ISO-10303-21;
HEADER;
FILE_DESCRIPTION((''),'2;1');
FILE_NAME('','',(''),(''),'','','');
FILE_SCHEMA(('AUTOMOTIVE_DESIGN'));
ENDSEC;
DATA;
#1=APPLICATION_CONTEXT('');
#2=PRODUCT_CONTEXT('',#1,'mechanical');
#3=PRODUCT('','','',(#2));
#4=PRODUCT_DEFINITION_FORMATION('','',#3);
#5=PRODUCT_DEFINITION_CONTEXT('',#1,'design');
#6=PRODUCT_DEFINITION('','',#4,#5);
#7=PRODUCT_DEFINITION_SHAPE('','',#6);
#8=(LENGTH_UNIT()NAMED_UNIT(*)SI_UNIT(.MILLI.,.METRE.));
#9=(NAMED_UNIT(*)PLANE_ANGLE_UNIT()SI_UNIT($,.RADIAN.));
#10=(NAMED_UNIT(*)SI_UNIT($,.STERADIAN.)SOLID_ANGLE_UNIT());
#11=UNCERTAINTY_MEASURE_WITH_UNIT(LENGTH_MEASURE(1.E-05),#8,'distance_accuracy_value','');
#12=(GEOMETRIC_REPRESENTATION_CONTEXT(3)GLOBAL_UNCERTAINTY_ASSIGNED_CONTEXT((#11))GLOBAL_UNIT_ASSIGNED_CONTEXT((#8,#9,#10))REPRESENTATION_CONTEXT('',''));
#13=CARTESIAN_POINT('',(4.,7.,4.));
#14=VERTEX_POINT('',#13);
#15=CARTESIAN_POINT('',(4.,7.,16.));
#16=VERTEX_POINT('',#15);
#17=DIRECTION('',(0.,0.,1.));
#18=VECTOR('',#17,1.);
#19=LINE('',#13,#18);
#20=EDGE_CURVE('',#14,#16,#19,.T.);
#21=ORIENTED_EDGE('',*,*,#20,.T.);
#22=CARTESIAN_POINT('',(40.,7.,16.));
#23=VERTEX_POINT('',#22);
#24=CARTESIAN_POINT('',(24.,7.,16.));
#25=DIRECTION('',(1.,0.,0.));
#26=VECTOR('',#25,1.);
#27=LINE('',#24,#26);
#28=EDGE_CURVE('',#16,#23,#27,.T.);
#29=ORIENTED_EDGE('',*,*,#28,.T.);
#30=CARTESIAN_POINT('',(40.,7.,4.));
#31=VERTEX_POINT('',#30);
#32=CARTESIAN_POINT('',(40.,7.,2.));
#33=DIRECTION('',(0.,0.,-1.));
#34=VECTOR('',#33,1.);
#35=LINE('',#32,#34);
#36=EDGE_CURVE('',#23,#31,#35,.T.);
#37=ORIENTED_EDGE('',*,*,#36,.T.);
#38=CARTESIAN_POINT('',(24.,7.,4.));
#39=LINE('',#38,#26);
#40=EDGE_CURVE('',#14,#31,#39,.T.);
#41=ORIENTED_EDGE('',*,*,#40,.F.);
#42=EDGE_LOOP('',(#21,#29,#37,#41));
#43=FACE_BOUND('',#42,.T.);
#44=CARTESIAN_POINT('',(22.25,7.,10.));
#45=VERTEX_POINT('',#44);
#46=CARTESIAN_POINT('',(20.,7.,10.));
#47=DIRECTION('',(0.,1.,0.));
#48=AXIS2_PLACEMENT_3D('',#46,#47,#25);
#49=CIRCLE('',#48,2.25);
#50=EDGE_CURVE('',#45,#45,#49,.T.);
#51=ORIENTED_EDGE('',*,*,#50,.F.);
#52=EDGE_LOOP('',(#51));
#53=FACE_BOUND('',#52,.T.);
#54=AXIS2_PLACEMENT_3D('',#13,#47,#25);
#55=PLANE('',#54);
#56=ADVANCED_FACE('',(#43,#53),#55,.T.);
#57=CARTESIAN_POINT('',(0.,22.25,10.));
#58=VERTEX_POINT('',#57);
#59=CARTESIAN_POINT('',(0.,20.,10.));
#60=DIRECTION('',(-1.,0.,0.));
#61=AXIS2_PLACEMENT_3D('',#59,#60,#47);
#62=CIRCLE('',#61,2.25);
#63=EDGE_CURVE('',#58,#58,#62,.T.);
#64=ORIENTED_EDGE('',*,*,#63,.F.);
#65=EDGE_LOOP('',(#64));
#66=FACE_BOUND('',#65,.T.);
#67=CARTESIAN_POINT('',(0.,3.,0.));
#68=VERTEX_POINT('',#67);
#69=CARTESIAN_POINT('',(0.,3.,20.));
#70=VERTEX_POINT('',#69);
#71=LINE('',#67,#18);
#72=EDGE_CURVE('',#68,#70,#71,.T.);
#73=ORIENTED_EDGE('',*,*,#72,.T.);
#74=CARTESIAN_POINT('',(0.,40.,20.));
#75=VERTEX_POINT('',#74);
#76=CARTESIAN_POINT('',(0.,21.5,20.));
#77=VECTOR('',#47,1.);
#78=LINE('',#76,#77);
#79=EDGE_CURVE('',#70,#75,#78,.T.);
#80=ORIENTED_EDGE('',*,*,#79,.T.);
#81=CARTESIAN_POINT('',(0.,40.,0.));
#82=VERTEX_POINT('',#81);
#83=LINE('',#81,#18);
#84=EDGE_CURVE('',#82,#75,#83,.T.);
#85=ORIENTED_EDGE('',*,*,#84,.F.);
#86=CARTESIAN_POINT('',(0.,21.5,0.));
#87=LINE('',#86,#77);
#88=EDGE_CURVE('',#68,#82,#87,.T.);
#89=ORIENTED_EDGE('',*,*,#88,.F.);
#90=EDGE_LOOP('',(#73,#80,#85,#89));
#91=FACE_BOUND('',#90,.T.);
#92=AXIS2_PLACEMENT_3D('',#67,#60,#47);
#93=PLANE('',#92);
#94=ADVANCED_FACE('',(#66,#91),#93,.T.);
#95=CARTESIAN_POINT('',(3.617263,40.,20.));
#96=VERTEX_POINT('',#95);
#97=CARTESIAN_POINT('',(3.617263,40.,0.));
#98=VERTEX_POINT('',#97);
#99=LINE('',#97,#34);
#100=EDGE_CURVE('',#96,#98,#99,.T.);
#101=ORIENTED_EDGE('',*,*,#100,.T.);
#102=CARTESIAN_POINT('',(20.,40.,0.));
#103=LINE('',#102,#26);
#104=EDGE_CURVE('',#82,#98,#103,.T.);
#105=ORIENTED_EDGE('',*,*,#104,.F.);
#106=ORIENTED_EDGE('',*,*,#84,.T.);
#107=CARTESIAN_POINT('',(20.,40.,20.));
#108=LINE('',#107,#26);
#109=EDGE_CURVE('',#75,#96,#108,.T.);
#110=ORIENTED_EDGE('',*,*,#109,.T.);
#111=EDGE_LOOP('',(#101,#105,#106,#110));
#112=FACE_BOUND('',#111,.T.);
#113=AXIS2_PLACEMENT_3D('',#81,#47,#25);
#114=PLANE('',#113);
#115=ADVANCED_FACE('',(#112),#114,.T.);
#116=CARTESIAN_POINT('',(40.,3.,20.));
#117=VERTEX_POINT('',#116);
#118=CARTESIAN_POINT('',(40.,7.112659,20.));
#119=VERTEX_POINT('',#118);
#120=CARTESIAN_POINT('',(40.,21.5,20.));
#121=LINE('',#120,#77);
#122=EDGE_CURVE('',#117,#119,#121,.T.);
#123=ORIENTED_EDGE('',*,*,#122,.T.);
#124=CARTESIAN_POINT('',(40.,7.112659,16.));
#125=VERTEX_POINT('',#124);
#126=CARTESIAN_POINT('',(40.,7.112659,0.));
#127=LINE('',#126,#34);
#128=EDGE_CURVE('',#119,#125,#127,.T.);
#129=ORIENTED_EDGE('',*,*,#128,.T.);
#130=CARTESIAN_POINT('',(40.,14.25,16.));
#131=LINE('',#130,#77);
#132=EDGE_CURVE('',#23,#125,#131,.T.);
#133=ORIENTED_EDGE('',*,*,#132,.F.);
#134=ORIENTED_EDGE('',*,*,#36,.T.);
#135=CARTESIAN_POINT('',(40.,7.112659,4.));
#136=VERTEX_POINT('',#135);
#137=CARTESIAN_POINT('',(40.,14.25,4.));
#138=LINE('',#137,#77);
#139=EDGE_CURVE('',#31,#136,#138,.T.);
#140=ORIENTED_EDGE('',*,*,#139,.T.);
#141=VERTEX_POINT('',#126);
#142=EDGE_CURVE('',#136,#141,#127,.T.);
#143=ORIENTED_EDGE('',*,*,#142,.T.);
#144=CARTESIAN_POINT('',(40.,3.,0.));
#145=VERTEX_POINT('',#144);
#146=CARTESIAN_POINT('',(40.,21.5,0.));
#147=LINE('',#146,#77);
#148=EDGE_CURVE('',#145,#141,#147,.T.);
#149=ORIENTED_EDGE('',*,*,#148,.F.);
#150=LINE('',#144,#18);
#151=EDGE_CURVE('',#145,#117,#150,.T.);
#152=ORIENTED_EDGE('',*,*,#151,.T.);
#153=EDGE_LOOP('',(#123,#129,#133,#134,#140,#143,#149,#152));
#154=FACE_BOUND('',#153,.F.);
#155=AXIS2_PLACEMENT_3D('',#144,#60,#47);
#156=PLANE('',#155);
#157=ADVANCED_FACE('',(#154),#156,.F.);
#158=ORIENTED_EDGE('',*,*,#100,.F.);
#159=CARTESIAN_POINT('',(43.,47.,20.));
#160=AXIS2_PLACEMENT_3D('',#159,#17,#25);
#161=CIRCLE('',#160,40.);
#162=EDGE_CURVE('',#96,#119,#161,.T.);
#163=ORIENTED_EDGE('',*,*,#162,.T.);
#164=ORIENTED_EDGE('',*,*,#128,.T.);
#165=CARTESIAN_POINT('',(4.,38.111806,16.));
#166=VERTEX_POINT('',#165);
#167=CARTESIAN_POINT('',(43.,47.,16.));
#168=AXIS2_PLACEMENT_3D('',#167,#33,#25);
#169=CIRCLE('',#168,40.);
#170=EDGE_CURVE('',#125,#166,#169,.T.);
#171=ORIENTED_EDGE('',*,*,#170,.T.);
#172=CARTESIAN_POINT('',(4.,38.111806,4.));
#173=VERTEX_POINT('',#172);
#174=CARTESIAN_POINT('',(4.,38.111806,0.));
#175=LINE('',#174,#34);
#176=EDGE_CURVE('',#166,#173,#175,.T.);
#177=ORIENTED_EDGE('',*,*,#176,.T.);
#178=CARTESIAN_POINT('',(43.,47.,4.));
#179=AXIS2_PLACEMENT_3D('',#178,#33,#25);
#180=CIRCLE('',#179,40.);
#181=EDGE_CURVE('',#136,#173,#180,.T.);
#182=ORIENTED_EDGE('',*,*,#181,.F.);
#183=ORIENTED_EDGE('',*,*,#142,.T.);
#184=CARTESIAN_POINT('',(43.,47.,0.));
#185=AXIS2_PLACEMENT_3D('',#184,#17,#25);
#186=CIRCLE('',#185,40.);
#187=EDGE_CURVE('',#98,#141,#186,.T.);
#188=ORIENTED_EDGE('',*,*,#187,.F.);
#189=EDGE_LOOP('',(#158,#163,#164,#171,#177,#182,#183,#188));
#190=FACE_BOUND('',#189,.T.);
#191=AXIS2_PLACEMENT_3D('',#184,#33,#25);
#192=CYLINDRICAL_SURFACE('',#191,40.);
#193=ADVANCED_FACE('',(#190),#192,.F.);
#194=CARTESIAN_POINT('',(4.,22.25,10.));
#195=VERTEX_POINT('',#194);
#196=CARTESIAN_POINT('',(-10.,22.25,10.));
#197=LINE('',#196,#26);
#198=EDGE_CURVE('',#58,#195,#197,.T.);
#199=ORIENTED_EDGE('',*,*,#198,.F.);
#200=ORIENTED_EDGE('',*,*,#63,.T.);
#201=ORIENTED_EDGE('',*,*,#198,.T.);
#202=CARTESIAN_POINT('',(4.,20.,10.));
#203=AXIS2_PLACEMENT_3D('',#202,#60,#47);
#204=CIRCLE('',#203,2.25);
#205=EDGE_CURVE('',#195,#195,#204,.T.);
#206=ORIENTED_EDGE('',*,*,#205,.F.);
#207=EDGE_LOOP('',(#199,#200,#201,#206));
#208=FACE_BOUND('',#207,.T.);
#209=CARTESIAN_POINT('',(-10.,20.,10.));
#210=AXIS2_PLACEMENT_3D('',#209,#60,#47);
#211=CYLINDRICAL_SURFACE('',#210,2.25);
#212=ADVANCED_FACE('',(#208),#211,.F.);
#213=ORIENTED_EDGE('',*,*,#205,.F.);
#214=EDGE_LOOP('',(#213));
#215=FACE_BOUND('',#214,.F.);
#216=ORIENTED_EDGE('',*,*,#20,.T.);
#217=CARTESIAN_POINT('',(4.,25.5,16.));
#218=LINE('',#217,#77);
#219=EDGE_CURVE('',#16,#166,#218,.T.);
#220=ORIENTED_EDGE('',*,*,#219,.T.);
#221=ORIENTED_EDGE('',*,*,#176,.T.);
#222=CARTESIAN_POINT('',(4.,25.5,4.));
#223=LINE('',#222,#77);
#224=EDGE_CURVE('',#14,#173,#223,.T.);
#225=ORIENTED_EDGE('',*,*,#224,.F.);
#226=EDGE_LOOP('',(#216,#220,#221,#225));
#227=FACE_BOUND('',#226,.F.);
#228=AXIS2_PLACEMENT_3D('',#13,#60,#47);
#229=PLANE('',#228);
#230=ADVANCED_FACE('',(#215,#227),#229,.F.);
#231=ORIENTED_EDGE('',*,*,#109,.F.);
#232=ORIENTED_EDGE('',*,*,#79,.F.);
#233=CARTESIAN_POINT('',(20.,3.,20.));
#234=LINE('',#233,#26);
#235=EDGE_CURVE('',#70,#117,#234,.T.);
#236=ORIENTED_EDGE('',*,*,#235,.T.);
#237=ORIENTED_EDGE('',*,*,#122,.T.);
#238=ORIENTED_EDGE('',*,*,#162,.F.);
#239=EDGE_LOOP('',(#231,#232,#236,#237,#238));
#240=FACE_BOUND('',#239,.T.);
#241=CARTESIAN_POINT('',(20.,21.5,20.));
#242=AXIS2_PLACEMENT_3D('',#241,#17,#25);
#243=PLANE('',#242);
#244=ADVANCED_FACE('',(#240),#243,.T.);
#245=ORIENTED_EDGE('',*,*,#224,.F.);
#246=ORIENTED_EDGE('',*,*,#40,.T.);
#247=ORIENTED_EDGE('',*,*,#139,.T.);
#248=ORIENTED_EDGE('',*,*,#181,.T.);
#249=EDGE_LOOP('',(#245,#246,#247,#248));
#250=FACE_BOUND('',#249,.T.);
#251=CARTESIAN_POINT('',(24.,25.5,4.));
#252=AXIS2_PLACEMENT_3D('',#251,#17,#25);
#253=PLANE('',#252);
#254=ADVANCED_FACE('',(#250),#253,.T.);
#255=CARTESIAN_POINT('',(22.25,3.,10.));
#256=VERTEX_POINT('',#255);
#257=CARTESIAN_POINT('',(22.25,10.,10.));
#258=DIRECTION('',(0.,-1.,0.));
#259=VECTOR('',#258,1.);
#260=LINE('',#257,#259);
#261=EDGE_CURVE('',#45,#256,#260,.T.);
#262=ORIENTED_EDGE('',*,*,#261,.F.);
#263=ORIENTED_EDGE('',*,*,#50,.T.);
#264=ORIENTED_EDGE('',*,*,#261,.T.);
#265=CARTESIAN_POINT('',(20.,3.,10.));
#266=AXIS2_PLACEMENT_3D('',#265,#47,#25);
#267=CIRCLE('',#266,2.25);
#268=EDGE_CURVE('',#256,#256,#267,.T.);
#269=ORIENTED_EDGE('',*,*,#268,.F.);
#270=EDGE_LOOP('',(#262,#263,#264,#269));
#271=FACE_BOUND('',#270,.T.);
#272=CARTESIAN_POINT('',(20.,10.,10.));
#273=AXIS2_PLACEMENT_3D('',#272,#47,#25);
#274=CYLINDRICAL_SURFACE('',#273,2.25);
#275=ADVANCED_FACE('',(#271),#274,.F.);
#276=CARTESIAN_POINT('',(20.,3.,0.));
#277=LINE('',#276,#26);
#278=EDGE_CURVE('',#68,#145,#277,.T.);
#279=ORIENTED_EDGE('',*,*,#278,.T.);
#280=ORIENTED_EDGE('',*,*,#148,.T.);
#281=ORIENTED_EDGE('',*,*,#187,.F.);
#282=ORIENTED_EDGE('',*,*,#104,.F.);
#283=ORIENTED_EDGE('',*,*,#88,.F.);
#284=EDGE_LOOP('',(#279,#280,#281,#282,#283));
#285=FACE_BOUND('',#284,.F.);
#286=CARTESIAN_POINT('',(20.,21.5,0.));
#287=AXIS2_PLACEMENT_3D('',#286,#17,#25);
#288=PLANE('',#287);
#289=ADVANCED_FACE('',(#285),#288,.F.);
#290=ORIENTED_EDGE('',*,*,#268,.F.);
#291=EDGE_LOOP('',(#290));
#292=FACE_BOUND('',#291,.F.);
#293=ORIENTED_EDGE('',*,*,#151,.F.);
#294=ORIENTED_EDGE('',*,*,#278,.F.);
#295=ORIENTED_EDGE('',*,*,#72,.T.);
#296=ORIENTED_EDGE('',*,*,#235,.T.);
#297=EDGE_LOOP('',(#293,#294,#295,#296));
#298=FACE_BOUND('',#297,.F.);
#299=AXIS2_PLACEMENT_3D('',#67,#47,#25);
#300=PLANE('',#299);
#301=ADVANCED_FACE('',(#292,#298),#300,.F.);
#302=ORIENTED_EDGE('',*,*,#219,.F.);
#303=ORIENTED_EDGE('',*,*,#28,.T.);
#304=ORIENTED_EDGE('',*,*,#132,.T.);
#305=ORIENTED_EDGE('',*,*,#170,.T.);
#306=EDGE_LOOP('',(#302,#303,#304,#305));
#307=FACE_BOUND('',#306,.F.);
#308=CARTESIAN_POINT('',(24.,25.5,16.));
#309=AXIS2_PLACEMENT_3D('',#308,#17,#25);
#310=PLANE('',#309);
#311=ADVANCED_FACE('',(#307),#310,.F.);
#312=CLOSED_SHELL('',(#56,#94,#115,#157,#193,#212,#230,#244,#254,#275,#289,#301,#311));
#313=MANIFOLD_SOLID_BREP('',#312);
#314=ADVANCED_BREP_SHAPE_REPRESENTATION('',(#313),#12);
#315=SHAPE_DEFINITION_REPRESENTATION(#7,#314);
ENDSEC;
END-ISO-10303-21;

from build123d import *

# Parameters (mm, degrees)
CYLINDER001_R     = 40
CYLINDER001_DEPTH = 20
CYLINDER002_R     = 2.25
CYLINDER002_DEPTH = 20
ARRAY002_COUNT    = 2
ARRAY002_ANGLE    = 90
BOX002_W          = 40
BOX002_H          = 37
BOX002_DEPTH      = 12
BOX001_W          = 40
BOX001_H          = 37
BOX001_DEPTH      = 20


with BuildPart() as cylinder001:
    # Cylinder001 → Cylinder001 (new body)
    with BuildSketch(Plane(origin=(43, 47, 0), x_dir=(1, 0, 0), z_dir=(0, 0, 1))):
        Circle(CYLINDER001_R)
    extrude(amount=CYLINDER001_DEPTH)


with BuildPart() as array002:
    # Cylinder002 → Cylinder002 (new body)
    with BuildSketch(Plane(origin=(20, 10, 10), x_dir=(1, 0, 0), z_dir=(0, -1, 0))):
        Circle(CYLINDER002_R)
    extrude(amount=CYLINDER002_DEPTH)

    # Array002: Array002 ×2 about axis
    array002_axis = Axis((0, 0, 0), (0, 0, 1))


with BuildPart() as array002_1:
    add(array002.part)
    for i in range(1, ARRAY002_COUNT):
        add(array002.part.rotate(array002_axis, i * ARRAY002_ANGLE / (ARRAY002_COUNT - 1)))


with BuildPart() as fusion:
    # Box002 → Box002 (new body)
    with BuildSketch(Plane(origin=(4, 7, 4), x_dir=(1, 0, 0), z_dir=(0, 0, 1))):
        with Locations((20, 18.5)):
            Rectangle(BOX002_W, BOX002_H)
    extrude(amount=BOX002_DEPTH)

    # Fusion: union Cylinder001, Array002
    add(cylinder001.part)
    add(array002_1.part)


with BuildPart() as cut001:
    # Box001 → Box001 (new body)
    with BuildSketch(Plane(origin=(0, 3, 0), x_dir=(1, 0, 0), z_dir=(0, 0, 1))):
        with Locations((20, 18.5)):
            Rectangle(BOX001_W, BOX001_H)
    extrude(amount=BOX001_DEPTH)

    # Cut001: cut Fusion
    add(fusion.part, mode=Mode.SUBTRACT)


solid = cut001.part
